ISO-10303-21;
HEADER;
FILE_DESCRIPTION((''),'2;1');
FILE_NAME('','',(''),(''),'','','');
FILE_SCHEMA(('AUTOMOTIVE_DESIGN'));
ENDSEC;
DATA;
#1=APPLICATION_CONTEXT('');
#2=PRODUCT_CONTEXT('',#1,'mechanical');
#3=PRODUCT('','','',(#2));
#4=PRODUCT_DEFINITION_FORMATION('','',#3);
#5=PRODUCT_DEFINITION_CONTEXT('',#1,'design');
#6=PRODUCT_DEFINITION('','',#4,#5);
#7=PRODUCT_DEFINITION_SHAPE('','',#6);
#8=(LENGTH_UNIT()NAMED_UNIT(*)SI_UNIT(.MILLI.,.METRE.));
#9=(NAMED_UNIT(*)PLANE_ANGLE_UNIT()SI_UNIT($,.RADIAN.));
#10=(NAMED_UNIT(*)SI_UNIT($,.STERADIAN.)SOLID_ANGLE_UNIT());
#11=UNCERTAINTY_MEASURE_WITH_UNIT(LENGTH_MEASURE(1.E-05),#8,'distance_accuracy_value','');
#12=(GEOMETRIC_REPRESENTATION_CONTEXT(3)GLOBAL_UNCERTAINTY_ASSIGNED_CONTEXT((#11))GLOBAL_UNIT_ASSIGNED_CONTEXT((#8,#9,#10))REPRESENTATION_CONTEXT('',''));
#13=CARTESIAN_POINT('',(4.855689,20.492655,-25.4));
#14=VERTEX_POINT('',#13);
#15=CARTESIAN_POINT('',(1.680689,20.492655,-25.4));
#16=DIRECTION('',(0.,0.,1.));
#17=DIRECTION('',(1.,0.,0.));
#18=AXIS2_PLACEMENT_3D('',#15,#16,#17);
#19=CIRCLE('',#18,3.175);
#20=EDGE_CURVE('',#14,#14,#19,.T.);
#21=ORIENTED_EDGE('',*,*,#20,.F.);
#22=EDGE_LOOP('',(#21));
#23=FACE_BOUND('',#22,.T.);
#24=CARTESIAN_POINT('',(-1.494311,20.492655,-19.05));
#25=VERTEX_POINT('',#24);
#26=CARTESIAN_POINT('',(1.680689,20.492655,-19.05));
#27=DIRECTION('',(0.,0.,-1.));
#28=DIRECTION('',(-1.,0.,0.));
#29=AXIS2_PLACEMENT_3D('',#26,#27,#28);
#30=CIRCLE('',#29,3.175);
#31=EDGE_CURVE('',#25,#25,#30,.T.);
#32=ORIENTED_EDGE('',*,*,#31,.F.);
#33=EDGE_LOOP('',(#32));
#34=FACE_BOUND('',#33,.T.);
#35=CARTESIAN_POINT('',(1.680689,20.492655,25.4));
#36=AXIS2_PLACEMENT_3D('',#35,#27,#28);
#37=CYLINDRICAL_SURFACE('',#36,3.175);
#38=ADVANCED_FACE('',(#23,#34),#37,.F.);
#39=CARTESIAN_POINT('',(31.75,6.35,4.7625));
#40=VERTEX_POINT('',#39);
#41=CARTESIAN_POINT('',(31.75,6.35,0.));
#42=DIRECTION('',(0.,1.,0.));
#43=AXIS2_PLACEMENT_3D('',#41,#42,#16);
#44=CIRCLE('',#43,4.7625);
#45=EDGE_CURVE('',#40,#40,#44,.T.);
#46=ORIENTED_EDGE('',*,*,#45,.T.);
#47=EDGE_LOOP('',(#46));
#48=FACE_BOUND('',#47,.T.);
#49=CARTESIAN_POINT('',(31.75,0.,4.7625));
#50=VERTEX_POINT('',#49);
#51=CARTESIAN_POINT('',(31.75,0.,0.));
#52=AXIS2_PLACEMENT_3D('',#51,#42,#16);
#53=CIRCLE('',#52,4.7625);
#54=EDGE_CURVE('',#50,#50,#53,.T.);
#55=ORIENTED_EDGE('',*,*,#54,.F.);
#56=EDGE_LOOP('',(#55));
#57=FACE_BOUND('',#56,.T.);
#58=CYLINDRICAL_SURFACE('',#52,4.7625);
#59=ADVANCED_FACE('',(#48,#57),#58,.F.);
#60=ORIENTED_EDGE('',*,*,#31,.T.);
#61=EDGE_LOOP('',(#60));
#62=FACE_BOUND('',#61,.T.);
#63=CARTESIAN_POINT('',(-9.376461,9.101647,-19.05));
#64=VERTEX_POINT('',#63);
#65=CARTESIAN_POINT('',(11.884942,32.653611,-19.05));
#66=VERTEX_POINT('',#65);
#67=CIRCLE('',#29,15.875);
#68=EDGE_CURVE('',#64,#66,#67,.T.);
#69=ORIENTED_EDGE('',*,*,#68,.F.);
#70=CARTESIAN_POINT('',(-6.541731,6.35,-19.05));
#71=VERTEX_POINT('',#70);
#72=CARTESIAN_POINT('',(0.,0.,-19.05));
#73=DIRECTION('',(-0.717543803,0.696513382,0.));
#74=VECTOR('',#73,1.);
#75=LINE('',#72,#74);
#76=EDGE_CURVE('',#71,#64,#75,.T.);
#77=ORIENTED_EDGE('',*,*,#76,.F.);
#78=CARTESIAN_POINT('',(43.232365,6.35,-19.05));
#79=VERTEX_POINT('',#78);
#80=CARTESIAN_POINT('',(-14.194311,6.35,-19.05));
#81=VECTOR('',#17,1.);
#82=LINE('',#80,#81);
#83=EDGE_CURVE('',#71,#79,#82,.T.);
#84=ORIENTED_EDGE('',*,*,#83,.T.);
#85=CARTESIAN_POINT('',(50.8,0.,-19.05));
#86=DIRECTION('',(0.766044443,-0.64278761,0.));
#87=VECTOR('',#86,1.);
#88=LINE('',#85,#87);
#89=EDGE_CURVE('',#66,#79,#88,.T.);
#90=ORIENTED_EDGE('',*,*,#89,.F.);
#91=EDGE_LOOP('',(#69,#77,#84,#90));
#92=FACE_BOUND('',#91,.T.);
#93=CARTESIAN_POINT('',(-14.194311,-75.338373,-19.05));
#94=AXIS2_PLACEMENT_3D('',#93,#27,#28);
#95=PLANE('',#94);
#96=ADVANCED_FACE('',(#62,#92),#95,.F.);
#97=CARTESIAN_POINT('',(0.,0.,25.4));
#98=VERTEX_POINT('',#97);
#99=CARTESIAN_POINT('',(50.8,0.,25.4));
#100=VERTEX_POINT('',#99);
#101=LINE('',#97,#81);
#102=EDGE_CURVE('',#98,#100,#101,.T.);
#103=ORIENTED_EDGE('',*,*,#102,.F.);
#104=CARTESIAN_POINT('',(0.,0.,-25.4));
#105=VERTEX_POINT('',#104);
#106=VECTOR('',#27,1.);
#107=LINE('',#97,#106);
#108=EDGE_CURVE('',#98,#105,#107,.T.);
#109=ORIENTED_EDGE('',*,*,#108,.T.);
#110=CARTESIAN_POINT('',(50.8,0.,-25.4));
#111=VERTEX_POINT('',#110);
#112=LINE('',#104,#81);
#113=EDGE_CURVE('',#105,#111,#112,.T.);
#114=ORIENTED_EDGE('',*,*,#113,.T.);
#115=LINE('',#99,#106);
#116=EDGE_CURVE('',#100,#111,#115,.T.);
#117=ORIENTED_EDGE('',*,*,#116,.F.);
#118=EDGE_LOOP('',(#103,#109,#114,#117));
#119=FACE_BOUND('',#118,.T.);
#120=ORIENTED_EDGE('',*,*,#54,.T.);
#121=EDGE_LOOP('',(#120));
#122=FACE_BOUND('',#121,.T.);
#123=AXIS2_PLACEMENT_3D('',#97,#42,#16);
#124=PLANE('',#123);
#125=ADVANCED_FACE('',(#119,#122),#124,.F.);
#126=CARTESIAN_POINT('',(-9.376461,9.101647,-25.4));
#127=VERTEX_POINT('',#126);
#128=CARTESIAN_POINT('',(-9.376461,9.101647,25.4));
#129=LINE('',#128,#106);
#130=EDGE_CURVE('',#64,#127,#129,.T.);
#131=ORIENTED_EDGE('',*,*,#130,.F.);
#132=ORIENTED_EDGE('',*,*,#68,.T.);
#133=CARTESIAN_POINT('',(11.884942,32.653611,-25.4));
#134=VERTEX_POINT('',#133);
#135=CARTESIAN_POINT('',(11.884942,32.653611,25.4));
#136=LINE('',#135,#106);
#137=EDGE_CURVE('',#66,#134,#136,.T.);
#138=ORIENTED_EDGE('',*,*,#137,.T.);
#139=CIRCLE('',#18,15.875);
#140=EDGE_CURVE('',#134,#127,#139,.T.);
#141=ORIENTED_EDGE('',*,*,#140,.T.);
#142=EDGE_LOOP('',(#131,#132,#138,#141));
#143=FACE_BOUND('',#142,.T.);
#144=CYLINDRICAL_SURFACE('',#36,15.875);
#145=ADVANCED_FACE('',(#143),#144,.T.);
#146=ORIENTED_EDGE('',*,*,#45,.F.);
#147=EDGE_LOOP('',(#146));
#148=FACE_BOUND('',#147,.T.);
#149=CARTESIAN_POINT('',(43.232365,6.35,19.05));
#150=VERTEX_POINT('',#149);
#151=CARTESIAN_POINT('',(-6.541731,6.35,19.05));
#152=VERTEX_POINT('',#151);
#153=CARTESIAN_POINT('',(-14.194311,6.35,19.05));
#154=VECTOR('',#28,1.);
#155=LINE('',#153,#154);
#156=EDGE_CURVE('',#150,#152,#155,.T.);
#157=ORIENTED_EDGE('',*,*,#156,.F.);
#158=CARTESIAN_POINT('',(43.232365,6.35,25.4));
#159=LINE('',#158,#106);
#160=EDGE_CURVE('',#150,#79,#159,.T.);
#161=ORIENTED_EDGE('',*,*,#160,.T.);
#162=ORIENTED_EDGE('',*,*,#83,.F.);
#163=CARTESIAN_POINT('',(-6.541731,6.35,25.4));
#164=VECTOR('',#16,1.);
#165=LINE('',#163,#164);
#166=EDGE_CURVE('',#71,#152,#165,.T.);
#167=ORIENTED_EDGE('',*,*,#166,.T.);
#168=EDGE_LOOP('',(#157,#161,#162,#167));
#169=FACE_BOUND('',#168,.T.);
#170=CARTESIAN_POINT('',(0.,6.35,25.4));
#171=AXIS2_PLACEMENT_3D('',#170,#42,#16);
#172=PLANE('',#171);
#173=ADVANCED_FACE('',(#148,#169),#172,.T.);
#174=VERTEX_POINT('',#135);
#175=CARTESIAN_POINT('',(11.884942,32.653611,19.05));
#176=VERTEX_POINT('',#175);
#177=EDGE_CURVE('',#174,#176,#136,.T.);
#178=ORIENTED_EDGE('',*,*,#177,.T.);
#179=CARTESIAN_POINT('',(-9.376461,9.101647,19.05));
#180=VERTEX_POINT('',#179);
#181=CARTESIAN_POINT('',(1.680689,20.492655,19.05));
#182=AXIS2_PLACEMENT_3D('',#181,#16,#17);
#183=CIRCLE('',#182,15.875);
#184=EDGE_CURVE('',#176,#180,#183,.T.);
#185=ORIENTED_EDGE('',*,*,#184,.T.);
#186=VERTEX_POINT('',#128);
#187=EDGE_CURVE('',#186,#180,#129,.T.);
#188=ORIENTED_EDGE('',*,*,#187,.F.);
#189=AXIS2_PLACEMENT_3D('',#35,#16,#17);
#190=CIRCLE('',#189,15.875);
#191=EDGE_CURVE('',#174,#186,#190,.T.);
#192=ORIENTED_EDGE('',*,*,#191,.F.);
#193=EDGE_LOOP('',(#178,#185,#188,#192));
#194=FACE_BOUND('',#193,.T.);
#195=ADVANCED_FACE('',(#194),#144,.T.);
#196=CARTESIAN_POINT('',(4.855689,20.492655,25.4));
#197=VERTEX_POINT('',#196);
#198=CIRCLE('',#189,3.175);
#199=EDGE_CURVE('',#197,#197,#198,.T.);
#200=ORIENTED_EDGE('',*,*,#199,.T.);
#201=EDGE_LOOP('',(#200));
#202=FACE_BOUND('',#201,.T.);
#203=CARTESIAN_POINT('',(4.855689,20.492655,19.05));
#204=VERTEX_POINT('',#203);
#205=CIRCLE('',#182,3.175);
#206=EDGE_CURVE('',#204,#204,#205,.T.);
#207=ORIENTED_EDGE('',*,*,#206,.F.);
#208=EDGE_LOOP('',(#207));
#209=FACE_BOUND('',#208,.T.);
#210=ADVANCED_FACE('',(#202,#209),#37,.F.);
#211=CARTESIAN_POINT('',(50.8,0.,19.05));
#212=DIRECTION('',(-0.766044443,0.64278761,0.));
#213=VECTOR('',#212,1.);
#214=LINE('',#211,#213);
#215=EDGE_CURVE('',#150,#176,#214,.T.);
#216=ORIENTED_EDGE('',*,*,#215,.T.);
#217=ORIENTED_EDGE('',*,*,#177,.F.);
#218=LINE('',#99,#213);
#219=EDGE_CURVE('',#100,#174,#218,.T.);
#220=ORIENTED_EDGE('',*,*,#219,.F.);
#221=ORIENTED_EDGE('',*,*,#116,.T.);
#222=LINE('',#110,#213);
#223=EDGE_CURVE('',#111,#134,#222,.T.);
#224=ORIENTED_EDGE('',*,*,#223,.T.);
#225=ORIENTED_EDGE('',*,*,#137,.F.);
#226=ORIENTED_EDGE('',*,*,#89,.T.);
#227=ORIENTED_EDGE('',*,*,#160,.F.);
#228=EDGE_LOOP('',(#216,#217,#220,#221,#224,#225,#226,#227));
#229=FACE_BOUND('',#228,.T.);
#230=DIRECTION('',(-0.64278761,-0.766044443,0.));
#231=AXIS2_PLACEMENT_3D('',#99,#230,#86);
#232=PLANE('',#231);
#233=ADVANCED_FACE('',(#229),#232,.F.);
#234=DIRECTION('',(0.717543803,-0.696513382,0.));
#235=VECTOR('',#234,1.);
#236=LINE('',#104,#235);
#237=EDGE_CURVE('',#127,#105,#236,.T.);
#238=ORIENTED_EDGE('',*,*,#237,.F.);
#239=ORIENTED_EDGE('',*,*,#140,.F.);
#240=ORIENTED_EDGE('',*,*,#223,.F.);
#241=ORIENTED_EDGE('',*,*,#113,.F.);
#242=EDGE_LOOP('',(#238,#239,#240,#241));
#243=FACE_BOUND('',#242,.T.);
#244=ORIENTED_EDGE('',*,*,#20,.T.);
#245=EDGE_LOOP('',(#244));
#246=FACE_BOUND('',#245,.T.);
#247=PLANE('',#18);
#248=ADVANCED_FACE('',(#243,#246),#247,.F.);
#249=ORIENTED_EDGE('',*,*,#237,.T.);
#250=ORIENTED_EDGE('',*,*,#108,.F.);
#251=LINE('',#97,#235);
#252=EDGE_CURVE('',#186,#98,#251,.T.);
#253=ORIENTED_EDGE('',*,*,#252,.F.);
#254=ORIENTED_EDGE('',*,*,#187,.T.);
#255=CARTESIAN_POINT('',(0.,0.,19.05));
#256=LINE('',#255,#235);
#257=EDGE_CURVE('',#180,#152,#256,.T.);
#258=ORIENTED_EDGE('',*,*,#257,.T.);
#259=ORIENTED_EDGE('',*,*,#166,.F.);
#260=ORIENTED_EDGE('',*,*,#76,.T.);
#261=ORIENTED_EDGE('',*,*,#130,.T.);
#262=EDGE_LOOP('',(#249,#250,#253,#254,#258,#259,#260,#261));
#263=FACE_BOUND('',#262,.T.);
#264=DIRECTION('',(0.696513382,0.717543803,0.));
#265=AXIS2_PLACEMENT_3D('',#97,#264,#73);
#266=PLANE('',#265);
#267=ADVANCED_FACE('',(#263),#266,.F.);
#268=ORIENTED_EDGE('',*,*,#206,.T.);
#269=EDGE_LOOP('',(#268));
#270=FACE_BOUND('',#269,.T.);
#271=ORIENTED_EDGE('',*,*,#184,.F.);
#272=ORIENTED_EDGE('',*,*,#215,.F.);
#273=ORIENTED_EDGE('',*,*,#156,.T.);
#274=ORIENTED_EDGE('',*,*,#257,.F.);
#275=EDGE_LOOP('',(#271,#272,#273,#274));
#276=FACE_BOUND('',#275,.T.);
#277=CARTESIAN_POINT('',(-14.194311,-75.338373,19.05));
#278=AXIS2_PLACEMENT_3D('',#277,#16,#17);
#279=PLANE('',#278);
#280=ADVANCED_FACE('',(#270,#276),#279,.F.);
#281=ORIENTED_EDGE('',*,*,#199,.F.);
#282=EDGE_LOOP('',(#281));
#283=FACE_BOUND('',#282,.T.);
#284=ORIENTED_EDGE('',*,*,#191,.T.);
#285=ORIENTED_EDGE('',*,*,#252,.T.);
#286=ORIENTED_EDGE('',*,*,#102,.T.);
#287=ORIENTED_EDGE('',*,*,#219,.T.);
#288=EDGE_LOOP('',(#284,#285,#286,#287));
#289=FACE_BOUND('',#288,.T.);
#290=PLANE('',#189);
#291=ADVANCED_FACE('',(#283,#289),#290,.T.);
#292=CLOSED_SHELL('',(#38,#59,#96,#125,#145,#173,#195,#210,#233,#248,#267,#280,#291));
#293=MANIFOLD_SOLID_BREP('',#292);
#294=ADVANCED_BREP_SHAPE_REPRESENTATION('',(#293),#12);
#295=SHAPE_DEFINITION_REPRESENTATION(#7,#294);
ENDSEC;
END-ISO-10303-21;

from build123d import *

# Parameters (mm, degrees)
SKETCH1_R           = 3.175
BOSS_EXTRUDE1_DEPTH = 25.4
CUT_EXTRUDE1_START  = 50.8
SKETCH2_W           = 64.994311014
SKETCH2_H           = 38.1
CUT_EXTRUDE1_DEPTH  = 44.45
SKETCH3_R           = 4.7625
CUT_EXTRUDE2_DEPTH  = 65.240638337


with BuildPart() as part:
    # Sketch1 → Boss-Extrude1 (new, symmetric)
    with BuildSketch(Plane.XY):
        with BuildLine():
            Line((0, 0), (-9.376460946, 9.101647163))
            ThreePointArc((-9.376460946, 9.101647163), (-10.10301176, 31.130324977), (11.88494229, 32.653610572))
            Line((11.88494229, 32.653610572), (50.8, 0))
            Line((50.8, 0), (0, 0))
        make_face()
        with Locations((1.680688986, 20.492655038)):
            Circle(SKETCH1_R, mode=Mode.SUBTRACT)
    extrude(amount=BOSS_EXTRUDE1_DEPTH, both=True)

    # Sketch2 → Cut-Extrude1 (cut)
    with BuildSketch(Plane(origin=(0, 0, 0), x_dir=(1, 0, 0), z_dir=(0, 1, 0)).offset(CUT_EXTRUDE1_START)):
        with Locations((18.302844493, 0)):
            Rectangle(SKETCH2_W, SKETCH2_H)
    extrude(amount=-CUT_EXTRUDE1_DEPTH, mode=Mode.SUBTRACT)

    # Sketch3 → Cut-Extrude2 (cut, through all)
    with BuildSketch(Plane(origin=(0, 6.35, 0), x_dir=(1, 0, 0), z_dir=(0, 1, 0))):
        with Locations(Location((31.75, 0, 0), (0, 0, 270))):
            Circle(SKETCH3_R)
    extrude(amount=-CUT_EXTRUDE2_DEPTH, mode=Mode.SUBTRACT)


solid = part.part
